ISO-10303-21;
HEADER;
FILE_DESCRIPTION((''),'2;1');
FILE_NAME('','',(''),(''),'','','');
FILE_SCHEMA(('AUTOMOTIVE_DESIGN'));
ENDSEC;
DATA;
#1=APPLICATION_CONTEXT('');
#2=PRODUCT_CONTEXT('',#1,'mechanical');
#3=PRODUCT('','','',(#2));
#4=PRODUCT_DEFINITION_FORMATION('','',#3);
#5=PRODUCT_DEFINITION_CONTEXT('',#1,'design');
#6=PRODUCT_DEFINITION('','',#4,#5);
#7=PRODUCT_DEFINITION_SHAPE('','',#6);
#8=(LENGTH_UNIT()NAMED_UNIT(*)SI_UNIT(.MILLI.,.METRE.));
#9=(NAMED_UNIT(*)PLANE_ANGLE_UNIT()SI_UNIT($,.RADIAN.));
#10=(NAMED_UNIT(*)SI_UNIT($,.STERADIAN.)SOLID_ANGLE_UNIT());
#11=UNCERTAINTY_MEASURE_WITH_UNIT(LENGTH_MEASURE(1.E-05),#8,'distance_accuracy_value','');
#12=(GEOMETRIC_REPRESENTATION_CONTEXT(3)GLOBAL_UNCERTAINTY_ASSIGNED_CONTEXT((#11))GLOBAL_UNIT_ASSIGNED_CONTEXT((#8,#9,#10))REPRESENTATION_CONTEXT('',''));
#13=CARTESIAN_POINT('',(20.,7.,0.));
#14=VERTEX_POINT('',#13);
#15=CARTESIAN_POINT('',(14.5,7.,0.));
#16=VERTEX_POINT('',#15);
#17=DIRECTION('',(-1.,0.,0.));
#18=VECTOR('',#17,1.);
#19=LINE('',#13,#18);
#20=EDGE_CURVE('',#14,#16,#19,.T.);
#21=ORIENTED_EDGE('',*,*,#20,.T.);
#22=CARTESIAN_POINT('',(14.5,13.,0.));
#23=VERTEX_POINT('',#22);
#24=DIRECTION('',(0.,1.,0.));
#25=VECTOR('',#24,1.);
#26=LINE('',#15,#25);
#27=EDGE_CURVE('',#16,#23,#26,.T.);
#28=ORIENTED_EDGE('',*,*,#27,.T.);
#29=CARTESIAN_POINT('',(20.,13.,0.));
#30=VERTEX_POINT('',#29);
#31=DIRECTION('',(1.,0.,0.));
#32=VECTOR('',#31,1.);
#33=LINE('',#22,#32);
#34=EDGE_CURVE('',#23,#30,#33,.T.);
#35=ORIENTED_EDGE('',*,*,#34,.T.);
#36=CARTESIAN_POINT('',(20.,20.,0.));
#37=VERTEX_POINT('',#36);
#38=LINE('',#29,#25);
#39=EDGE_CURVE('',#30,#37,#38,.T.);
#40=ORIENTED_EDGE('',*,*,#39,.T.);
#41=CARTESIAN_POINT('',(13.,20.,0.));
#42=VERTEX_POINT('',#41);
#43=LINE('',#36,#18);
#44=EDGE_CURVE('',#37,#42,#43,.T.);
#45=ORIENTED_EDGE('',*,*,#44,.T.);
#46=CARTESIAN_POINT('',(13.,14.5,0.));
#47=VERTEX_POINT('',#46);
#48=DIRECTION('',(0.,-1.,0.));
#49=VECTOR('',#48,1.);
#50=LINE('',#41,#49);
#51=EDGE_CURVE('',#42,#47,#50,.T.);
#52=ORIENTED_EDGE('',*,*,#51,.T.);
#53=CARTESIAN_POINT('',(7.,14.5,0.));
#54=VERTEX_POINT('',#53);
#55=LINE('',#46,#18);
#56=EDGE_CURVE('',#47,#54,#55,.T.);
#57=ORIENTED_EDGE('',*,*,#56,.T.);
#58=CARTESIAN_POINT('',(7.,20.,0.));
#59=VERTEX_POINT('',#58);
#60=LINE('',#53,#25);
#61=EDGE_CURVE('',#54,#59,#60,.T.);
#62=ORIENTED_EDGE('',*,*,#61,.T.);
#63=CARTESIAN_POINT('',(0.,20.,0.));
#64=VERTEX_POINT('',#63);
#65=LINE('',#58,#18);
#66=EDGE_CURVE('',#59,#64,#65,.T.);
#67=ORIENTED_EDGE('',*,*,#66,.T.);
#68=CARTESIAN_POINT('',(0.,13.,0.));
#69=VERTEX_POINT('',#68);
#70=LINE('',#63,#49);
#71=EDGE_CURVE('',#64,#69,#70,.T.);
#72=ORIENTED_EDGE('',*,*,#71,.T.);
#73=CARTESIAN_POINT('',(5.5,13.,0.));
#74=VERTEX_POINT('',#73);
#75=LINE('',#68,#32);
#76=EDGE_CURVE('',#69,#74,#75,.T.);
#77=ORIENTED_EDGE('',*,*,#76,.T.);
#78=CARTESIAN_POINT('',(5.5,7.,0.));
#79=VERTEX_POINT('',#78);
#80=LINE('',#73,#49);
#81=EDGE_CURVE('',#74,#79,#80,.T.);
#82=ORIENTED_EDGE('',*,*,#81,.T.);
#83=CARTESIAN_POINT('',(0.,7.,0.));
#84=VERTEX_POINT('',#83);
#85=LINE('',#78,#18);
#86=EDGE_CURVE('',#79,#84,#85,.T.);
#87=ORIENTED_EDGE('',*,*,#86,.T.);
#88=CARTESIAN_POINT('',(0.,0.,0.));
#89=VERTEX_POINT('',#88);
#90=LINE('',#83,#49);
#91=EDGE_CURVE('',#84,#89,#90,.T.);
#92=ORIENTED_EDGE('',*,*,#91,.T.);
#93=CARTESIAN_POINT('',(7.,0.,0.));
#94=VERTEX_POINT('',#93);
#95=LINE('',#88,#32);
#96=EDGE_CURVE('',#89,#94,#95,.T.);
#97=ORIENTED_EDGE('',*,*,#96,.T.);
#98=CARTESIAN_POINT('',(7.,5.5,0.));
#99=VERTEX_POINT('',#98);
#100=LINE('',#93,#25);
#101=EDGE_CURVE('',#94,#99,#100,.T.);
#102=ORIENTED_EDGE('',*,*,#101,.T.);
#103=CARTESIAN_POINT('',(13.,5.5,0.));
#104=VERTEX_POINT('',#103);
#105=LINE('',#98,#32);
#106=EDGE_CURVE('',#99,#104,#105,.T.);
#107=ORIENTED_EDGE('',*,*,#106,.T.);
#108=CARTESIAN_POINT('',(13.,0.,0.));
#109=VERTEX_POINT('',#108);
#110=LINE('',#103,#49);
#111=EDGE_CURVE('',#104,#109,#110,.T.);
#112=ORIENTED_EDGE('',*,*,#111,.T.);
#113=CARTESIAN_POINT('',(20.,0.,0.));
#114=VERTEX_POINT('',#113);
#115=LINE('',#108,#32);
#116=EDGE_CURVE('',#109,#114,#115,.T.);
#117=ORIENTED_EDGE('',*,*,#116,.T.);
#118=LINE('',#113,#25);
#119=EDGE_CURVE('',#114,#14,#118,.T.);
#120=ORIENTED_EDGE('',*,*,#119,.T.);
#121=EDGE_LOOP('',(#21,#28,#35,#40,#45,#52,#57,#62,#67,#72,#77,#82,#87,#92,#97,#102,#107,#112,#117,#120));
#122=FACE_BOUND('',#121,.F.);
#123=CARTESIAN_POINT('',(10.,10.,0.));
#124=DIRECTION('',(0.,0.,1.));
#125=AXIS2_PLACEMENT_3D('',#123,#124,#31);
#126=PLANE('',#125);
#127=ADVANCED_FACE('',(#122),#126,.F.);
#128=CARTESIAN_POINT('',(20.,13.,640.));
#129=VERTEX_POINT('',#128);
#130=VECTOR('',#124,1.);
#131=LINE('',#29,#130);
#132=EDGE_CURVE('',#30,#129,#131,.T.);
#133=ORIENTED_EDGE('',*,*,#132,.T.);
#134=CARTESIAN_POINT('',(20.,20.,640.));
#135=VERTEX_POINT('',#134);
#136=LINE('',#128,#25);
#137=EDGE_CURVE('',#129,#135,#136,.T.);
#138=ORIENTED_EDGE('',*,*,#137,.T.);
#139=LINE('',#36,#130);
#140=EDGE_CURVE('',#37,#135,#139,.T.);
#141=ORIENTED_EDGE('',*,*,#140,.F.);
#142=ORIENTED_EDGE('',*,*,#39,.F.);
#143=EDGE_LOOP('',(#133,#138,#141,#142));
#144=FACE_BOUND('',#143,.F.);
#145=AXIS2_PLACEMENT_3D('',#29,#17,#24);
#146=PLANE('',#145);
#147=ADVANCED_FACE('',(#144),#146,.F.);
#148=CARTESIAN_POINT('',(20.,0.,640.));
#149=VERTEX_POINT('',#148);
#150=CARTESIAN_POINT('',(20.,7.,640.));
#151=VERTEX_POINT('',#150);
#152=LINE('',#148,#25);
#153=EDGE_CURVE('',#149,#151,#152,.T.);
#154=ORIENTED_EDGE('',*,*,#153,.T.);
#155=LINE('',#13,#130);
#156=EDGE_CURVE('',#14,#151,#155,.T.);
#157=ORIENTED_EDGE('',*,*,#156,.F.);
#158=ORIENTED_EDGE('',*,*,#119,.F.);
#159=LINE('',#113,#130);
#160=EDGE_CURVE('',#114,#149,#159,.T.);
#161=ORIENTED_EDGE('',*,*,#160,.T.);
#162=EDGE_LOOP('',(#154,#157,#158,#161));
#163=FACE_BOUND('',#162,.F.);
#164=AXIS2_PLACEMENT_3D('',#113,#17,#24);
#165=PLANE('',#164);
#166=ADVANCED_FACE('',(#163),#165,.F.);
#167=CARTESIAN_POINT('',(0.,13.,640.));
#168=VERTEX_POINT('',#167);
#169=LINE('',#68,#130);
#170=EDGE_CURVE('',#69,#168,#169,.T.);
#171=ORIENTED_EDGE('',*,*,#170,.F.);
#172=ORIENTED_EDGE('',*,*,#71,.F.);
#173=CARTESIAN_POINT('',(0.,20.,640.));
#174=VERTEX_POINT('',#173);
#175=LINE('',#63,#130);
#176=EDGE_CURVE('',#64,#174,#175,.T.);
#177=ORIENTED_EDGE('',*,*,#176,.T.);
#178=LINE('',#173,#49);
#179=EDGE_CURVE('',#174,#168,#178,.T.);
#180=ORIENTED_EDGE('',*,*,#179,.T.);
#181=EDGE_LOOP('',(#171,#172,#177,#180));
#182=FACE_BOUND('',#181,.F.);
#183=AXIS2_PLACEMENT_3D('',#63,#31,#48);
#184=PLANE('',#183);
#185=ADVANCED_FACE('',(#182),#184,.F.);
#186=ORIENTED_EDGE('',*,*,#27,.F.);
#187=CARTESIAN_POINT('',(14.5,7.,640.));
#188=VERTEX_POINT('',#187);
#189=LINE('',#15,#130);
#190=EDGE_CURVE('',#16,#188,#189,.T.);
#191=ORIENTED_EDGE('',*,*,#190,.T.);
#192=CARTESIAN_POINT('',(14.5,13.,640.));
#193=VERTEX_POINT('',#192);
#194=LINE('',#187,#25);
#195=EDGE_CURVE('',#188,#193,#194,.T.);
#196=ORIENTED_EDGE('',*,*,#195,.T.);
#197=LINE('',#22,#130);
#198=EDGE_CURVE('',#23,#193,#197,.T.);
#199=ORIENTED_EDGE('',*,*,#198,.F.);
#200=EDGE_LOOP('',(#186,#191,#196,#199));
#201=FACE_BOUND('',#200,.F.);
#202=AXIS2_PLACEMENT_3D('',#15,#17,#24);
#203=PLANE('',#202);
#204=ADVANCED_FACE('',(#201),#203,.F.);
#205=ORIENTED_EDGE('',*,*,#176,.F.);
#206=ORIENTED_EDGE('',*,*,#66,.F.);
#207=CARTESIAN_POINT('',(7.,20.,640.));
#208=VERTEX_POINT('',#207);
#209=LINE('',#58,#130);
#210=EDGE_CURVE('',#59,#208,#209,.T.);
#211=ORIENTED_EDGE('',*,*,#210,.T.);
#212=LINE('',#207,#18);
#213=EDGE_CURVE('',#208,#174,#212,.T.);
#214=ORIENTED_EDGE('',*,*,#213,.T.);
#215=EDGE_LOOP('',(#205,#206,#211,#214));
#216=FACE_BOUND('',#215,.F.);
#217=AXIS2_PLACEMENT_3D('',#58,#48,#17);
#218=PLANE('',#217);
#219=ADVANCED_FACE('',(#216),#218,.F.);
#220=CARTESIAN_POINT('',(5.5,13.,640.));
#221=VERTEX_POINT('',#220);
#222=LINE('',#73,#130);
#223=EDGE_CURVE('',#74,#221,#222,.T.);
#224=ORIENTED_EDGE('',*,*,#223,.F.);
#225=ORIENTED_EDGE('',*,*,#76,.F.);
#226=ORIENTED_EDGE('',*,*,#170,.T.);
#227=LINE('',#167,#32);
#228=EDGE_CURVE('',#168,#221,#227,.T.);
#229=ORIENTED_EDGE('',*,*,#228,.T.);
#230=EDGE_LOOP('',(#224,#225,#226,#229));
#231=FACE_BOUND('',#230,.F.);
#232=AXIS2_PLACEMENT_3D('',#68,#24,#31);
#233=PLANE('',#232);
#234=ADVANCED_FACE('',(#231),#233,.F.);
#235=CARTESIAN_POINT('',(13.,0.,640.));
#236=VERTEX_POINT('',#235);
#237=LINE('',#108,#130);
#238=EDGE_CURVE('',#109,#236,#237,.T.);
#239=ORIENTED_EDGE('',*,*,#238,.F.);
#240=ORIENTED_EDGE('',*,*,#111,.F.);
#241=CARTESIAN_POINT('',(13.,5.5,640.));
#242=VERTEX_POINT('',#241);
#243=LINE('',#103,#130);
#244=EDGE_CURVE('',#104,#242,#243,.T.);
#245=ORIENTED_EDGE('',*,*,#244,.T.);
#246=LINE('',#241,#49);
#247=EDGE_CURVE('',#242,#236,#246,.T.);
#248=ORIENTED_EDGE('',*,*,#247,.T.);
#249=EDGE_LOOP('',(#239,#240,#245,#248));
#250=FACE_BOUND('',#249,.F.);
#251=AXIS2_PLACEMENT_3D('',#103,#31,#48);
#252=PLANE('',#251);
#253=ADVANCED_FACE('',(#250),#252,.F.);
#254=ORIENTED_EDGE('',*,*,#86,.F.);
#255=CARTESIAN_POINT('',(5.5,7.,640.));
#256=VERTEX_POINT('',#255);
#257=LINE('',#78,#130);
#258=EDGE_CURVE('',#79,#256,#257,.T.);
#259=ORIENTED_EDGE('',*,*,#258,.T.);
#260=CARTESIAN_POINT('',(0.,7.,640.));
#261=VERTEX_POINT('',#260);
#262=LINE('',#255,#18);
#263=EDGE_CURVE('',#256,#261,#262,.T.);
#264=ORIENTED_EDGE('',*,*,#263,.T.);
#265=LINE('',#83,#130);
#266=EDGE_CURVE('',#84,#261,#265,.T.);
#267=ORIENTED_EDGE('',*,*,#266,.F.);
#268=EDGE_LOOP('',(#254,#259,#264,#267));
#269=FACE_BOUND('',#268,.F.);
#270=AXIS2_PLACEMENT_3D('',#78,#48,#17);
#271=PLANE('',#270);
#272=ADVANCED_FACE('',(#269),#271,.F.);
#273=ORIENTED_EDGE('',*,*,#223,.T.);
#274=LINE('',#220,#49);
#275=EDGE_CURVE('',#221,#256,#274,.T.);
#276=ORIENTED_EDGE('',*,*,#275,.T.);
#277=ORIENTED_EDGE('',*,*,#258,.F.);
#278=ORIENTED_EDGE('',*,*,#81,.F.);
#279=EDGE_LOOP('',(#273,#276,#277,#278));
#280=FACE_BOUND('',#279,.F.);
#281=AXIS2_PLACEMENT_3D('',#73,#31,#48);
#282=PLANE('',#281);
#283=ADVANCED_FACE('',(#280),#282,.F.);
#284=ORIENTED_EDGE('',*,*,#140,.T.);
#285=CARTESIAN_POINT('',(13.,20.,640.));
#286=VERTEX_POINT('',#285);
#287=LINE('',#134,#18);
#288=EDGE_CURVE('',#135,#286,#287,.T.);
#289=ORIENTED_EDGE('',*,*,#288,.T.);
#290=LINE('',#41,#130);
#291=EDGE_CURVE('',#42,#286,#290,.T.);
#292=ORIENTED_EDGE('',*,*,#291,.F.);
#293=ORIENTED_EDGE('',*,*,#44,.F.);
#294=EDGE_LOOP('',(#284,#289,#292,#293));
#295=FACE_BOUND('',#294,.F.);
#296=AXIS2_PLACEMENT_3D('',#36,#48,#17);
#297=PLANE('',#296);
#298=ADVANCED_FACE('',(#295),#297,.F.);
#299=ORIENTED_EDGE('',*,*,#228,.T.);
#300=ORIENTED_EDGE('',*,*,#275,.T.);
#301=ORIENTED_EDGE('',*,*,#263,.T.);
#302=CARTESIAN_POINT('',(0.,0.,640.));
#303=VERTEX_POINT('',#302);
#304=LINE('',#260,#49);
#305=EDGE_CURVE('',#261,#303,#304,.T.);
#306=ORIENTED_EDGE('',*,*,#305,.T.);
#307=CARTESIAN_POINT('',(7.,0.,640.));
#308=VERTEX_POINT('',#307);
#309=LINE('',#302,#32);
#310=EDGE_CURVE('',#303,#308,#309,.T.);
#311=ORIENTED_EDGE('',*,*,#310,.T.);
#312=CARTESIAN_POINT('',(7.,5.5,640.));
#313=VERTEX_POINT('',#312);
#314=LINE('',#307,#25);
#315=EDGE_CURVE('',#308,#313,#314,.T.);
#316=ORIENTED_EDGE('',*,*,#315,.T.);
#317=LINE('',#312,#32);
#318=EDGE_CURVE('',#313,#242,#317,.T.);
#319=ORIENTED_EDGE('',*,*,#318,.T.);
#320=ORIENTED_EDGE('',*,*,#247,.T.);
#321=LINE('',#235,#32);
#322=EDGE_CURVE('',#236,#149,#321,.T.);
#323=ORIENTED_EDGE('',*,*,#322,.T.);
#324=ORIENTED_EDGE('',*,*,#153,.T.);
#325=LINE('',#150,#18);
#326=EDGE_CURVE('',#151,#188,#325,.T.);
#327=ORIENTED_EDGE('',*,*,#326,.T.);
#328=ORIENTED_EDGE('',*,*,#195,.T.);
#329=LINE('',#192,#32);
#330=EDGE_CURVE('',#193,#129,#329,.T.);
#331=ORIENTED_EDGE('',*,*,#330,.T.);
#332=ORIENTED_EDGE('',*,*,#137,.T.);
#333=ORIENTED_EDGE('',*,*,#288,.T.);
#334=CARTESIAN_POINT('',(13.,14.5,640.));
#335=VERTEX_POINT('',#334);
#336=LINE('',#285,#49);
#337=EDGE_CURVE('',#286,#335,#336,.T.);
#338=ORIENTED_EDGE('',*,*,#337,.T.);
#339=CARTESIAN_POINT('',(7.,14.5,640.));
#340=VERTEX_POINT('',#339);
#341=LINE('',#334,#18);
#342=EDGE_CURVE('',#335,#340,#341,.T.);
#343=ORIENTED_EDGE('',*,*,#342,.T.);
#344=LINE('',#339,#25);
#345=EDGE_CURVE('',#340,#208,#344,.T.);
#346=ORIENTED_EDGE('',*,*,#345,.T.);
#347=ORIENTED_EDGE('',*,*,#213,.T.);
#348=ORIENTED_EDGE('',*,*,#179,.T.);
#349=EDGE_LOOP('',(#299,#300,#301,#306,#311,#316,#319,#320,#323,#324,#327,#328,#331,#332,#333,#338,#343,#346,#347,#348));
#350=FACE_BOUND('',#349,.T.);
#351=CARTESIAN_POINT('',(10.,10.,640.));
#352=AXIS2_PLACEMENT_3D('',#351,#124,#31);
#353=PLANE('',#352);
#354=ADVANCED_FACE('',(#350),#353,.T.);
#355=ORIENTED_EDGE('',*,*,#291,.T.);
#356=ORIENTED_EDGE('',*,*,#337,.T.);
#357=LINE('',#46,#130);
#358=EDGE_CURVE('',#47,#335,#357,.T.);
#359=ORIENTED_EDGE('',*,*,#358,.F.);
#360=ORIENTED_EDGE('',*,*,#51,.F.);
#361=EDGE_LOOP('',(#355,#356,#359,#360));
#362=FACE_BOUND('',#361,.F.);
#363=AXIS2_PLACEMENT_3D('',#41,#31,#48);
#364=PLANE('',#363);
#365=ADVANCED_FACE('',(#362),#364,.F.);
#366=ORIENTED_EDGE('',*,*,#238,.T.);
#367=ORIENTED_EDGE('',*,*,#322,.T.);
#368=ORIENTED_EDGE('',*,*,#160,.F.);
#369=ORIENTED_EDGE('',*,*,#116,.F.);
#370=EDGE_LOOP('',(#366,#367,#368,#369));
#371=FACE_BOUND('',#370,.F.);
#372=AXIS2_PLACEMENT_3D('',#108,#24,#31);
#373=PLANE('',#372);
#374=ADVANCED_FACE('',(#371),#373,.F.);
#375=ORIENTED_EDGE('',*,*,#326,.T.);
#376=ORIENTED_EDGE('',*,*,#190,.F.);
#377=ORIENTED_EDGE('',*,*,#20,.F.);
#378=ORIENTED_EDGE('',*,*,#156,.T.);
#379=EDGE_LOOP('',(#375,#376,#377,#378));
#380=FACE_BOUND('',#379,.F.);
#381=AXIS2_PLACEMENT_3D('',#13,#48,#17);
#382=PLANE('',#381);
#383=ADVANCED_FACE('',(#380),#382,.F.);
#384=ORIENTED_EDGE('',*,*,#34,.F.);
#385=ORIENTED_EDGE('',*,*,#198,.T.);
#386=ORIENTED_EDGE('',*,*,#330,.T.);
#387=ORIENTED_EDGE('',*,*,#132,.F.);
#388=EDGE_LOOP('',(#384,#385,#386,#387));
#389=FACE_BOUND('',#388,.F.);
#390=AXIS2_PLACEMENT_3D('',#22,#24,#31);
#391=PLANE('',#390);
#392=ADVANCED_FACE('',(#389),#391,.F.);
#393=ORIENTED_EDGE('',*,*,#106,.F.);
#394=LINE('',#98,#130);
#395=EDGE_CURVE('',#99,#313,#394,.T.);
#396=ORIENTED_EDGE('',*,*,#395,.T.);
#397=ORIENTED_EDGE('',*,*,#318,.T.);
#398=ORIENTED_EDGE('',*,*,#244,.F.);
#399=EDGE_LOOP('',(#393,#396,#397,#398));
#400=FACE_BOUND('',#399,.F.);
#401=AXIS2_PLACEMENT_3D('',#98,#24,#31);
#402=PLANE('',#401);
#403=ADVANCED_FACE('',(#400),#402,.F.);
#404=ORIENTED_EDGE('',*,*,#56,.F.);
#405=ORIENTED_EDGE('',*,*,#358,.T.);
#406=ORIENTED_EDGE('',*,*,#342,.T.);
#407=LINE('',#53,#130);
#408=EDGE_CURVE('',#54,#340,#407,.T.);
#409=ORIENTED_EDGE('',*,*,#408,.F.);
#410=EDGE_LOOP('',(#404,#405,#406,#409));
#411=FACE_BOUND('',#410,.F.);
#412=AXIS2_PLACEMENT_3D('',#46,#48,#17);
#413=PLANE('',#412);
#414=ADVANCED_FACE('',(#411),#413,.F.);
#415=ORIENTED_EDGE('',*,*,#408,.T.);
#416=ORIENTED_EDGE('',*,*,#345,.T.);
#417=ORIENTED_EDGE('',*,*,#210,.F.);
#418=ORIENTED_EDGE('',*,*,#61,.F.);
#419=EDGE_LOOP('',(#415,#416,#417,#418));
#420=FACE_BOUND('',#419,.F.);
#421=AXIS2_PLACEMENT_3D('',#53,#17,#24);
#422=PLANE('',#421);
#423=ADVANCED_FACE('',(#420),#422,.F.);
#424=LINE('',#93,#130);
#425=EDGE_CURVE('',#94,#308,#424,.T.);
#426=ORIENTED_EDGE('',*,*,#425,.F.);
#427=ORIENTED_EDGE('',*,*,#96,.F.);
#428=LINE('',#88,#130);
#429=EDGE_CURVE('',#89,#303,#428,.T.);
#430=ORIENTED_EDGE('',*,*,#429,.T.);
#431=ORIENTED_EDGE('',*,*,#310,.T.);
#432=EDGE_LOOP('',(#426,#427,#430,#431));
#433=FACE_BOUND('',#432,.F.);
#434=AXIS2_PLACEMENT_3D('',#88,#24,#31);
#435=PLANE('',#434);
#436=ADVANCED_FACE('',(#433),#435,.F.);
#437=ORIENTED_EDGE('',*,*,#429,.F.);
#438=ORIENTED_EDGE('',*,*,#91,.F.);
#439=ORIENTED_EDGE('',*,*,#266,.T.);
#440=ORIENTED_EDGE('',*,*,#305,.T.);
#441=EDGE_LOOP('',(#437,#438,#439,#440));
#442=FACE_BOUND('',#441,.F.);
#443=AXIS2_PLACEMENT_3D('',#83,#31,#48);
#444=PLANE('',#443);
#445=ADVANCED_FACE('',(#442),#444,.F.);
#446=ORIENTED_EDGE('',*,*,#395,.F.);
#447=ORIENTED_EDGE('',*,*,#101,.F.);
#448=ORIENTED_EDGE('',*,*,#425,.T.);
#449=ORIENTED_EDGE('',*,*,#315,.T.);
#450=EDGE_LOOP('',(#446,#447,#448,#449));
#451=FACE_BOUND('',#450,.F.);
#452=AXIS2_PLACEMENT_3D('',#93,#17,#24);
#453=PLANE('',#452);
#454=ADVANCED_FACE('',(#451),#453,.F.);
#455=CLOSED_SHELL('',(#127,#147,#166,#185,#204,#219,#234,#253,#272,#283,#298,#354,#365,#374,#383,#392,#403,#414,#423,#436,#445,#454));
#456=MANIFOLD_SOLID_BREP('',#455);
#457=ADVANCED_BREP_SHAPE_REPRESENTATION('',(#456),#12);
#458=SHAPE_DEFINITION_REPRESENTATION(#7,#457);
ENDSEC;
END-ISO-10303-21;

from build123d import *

# Parameters (mm, degrees)
F1_DEPTH = 640


with BuildPart() as f1:
    # F0 (on Top) → F1 (new body)
    with BuildSketch(Plane.XY):
        Polygon((0, 7), (0, 0), (7, 0), (7, 5.5), (13, 5.5), (13, 0), (20, 0), (20, 7), (14.5, 7), (14.5, 13), (20, 13), (20, 20), (13, 20), (13, 14.5), (7, 14.5), (7, 20), (0, 20), (0, 13), (5.5, 13), (5.5, 7), align=None)
    extrude(amount=F1_DEPTH)


solid = f1.part
